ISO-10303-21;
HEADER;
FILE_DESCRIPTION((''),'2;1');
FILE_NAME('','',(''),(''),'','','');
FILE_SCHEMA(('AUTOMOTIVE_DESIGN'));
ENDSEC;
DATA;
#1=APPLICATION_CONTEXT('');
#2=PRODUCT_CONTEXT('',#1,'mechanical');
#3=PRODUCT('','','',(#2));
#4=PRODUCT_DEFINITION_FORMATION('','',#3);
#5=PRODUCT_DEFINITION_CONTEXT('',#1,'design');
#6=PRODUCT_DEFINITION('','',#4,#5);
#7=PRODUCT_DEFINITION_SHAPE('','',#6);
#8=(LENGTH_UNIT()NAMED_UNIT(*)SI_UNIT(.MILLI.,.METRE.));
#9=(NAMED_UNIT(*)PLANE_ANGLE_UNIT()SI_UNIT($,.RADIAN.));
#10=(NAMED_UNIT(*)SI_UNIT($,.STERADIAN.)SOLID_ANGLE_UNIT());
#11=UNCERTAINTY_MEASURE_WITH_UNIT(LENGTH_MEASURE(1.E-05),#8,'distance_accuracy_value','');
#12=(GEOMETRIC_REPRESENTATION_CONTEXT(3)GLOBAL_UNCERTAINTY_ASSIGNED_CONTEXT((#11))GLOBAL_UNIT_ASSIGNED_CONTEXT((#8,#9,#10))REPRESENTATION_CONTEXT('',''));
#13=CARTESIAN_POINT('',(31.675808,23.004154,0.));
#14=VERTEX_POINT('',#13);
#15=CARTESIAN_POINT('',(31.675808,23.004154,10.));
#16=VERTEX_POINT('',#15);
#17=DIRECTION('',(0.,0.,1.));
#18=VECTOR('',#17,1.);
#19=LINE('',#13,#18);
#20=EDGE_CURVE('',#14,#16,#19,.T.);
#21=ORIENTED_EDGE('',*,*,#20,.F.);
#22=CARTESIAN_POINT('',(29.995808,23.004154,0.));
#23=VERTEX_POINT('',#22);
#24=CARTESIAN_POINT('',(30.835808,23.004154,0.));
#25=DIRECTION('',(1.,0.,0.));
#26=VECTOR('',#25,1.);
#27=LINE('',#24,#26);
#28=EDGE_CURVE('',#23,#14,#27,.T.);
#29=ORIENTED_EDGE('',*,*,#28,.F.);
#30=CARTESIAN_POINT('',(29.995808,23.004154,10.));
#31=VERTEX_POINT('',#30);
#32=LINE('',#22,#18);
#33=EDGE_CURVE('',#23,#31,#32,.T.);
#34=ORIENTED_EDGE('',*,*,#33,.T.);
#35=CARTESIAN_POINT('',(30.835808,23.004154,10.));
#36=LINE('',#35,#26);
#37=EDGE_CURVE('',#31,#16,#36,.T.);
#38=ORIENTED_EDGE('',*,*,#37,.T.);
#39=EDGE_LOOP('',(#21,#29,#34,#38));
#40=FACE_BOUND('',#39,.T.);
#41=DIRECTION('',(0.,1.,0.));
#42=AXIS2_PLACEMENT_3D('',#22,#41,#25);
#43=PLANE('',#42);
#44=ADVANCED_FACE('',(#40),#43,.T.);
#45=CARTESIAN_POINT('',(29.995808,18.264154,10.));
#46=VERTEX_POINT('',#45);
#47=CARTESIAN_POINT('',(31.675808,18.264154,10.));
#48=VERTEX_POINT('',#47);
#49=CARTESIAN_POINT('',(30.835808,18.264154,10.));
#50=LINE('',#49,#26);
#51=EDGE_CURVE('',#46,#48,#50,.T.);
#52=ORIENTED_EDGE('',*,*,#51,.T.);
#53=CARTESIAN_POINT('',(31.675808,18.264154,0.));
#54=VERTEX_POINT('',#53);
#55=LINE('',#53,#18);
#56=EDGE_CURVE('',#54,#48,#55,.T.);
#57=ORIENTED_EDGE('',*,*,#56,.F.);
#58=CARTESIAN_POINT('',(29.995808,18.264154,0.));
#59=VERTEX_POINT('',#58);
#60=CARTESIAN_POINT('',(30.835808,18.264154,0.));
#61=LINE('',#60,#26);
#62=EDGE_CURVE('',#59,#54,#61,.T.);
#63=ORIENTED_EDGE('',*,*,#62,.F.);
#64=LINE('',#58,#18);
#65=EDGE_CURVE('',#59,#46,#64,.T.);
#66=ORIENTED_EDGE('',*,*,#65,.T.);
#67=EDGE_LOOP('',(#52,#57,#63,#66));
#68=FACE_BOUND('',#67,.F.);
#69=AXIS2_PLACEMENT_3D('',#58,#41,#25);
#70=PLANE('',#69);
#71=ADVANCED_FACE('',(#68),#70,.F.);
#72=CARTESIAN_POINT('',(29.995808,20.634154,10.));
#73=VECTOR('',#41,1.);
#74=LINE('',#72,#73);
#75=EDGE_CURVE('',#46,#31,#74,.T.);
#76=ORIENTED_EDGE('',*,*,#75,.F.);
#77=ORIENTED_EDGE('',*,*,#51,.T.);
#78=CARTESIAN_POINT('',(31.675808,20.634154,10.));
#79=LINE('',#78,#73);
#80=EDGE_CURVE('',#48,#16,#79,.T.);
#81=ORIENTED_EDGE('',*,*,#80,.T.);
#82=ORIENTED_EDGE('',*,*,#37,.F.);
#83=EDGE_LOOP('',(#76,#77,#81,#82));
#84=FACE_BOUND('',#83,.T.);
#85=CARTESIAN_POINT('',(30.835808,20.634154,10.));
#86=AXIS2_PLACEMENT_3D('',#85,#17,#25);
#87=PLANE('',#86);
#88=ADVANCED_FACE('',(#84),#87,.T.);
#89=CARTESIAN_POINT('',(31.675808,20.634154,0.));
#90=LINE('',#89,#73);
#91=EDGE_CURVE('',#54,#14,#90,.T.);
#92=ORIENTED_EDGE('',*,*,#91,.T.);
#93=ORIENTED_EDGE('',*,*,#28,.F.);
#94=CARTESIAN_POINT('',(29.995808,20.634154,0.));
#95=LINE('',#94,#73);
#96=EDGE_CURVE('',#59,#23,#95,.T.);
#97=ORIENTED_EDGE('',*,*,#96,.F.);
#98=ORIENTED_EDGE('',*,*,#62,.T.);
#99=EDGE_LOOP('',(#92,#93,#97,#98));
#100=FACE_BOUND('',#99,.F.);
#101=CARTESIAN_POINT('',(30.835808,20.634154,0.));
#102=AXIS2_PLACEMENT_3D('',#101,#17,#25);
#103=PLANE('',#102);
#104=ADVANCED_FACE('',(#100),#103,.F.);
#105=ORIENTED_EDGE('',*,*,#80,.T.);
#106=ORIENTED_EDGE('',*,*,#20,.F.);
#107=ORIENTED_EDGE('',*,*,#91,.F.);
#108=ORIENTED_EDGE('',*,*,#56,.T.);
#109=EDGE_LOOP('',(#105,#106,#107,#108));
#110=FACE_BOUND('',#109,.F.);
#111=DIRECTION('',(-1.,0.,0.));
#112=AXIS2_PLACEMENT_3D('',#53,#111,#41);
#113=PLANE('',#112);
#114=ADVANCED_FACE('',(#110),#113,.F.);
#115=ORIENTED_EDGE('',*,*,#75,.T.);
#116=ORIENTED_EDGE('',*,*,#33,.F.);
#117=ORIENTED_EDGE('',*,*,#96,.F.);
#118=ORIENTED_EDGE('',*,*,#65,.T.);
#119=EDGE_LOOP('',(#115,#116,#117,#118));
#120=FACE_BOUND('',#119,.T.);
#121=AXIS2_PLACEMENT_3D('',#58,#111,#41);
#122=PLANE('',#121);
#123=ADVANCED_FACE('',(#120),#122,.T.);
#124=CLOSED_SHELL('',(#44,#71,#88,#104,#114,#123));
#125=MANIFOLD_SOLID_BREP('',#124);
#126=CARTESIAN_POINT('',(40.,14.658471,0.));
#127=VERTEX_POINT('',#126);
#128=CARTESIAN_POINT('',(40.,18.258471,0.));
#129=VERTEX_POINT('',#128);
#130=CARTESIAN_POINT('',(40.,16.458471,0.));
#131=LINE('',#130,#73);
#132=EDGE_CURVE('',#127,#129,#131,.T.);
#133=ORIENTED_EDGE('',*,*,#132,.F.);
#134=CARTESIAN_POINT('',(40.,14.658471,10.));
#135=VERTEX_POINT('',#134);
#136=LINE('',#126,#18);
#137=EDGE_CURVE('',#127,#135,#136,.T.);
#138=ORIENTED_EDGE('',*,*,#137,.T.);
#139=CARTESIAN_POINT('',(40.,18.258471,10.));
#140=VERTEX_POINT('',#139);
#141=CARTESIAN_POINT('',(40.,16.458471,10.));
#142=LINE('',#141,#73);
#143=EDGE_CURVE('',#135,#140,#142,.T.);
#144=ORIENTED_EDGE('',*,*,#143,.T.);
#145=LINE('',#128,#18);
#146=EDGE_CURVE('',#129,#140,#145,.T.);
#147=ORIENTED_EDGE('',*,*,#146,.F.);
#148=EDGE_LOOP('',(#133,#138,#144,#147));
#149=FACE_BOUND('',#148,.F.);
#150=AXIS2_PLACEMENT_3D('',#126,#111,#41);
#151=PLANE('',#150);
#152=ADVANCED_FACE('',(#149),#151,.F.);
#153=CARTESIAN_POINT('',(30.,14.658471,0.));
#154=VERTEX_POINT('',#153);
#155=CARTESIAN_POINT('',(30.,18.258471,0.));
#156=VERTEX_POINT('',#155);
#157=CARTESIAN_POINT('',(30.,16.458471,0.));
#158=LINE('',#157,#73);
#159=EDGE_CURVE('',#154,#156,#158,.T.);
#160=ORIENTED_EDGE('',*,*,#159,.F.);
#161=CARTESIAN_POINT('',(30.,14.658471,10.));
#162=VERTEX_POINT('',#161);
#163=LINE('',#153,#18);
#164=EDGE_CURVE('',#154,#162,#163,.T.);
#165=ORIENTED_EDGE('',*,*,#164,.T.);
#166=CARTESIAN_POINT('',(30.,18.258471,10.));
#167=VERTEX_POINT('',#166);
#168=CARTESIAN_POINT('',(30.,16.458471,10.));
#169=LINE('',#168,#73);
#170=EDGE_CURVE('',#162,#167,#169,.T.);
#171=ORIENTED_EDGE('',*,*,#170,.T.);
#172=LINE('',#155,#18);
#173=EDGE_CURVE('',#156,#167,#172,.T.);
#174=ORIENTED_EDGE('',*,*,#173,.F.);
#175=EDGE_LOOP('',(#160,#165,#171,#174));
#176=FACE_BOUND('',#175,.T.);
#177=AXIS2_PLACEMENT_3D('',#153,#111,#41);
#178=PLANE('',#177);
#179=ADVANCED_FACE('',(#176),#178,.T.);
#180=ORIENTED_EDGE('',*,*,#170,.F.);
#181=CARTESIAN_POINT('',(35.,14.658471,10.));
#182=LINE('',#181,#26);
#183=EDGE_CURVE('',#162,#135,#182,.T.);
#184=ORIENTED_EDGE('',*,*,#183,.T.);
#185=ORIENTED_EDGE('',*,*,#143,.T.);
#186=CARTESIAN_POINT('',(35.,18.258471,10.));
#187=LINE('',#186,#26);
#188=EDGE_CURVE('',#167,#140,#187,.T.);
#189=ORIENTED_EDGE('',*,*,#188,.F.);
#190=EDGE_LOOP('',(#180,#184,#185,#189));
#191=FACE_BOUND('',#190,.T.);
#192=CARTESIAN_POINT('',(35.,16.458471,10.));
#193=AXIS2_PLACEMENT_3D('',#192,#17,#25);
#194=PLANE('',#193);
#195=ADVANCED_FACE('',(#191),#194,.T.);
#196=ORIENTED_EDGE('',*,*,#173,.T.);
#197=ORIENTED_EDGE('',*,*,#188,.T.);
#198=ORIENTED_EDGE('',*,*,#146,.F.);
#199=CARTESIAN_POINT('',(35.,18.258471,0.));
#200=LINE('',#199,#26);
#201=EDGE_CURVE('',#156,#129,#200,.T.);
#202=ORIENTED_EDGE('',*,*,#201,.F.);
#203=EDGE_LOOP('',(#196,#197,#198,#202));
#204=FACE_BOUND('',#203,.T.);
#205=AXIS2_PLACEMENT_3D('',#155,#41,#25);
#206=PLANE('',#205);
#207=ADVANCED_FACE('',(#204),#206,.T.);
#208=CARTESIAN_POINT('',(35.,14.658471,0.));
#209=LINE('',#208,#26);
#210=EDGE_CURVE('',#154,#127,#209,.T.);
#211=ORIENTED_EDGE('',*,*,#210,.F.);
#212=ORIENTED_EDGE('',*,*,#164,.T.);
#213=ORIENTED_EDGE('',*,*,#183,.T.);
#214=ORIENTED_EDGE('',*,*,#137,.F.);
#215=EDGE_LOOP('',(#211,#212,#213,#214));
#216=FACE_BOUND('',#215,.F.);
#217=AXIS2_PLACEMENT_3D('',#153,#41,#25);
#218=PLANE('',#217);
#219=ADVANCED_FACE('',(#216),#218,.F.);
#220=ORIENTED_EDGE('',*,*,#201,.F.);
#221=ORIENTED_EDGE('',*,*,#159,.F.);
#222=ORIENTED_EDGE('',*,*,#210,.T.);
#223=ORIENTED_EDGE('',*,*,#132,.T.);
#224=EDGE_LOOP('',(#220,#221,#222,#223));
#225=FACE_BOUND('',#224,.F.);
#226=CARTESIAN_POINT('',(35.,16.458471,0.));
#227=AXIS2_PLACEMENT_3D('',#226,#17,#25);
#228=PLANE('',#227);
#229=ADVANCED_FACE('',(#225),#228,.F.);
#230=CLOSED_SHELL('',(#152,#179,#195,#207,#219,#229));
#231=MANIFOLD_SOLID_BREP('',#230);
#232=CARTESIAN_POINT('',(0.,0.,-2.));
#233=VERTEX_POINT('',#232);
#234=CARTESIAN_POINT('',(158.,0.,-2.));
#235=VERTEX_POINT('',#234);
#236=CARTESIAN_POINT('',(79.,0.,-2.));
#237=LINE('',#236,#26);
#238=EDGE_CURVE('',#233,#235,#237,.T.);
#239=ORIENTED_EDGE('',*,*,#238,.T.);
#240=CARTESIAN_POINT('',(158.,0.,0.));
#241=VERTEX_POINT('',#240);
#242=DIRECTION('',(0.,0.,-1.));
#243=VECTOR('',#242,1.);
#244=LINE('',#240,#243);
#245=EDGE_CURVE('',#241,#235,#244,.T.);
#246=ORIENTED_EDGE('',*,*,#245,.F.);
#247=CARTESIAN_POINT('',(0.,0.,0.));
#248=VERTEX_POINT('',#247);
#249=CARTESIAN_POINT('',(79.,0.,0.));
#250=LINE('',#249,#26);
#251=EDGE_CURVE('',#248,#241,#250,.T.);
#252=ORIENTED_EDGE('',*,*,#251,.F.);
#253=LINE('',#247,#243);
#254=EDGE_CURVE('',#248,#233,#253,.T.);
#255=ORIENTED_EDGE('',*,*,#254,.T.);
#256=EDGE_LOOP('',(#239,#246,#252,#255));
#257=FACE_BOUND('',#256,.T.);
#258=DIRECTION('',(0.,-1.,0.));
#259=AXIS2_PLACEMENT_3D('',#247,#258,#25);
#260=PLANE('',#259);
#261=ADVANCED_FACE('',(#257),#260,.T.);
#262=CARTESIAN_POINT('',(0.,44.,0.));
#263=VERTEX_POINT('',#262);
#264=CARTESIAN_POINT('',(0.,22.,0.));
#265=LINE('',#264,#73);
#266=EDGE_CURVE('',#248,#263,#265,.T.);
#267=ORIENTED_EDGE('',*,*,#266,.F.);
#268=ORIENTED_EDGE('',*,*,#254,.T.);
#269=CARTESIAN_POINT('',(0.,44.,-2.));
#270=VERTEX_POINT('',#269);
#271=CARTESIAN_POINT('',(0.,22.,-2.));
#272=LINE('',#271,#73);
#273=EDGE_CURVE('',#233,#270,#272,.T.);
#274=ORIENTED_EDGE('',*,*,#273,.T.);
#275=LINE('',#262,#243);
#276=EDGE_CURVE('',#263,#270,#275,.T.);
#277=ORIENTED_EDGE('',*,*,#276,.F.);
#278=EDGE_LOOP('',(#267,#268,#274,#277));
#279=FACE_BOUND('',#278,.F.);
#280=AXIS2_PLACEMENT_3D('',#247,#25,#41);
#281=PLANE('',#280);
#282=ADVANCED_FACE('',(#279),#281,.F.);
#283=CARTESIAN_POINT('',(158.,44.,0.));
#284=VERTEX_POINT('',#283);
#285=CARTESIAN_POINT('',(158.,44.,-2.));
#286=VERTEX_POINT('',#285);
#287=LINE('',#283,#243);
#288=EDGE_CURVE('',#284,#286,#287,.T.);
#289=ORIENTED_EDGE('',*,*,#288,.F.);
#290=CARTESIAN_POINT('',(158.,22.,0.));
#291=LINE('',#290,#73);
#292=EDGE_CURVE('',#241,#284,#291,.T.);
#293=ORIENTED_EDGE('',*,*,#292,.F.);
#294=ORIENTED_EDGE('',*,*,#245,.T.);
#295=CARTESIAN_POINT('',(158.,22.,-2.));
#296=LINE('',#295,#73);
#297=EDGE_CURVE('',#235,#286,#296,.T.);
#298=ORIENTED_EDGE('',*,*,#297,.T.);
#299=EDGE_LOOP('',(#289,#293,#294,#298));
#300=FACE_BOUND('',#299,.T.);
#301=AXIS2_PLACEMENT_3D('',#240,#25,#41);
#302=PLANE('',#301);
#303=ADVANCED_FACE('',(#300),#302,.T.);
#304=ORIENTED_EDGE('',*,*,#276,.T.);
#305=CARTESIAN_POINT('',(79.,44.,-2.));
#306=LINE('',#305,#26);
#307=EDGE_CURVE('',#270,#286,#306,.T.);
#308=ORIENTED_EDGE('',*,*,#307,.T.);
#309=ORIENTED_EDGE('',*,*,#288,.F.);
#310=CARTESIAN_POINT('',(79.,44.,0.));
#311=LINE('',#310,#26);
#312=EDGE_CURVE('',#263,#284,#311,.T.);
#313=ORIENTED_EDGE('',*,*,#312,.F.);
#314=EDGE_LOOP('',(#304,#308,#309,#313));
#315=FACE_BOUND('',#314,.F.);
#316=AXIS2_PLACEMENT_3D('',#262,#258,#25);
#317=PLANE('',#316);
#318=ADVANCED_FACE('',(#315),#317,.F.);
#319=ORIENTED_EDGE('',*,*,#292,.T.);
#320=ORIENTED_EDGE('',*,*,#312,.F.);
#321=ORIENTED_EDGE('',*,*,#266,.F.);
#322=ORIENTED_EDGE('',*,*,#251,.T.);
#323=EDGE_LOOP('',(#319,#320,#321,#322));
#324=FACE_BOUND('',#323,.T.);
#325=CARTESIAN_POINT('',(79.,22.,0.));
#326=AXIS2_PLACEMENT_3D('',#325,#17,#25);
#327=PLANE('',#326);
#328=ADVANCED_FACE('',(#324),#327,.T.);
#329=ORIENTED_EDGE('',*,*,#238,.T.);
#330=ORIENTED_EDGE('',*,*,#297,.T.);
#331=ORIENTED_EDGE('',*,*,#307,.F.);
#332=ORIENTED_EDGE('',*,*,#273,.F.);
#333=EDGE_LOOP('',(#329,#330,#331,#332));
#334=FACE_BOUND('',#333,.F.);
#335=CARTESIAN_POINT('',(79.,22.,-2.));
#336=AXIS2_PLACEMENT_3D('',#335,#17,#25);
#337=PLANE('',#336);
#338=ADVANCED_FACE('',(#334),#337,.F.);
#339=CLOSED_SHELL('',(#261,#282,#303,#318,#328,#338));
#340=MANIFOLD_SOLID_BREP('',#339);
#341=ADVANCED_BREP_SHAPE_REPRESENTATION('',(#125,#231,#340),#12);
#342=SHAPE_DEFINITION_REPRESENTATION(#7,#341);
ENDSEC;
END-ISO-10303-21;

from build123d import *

# Parameters (mm, degrees)
SKETCH004_W      = 158
SKETCH004_H      = 44
PAD_DEPTH        = 2
SKETCH005_W      = 10
SKETCH005_H      = 3.6
EXTRUDE_DEPTH    = 10
SKETCH006_W      = 1.68
SKETCH006_H      = 4.74
EXTRUDE001_DEPTH = 10


with BuildPart() as body:
    # Sketch004 → Pad (new body)
    with BuildSketch(Plane.XY):
        with Locations((79, 22)):
            Rectangle(SKETCH004_W, SKETCH004_H)
    extrude(amount=-PAD_DEPTH)


with BuildPart() as extrude_body:
    # Sketch005 → Extrude (new body)
    with BuildSketch(Plane.XY):
        with Locations((35, 16.458471)):
            Rectangle(SKETCH005_W, SKETCH005_H)
    extrude(amount=EXTRUDE_DEPTH)


with BuildPart() as extrude001:
    # Sketch006 → Extrude001 (new body)
    with BuildSketch(Plane.XY):
        with Locations((30.835808, 20.634154)):
            Rectangle(SKETCH006_W, SKETCH006_H)
    extrude(amount=EXTRUDE001_DEPTH)


solid = Compound([body.part, extrude_body.part, extrude001.part])
